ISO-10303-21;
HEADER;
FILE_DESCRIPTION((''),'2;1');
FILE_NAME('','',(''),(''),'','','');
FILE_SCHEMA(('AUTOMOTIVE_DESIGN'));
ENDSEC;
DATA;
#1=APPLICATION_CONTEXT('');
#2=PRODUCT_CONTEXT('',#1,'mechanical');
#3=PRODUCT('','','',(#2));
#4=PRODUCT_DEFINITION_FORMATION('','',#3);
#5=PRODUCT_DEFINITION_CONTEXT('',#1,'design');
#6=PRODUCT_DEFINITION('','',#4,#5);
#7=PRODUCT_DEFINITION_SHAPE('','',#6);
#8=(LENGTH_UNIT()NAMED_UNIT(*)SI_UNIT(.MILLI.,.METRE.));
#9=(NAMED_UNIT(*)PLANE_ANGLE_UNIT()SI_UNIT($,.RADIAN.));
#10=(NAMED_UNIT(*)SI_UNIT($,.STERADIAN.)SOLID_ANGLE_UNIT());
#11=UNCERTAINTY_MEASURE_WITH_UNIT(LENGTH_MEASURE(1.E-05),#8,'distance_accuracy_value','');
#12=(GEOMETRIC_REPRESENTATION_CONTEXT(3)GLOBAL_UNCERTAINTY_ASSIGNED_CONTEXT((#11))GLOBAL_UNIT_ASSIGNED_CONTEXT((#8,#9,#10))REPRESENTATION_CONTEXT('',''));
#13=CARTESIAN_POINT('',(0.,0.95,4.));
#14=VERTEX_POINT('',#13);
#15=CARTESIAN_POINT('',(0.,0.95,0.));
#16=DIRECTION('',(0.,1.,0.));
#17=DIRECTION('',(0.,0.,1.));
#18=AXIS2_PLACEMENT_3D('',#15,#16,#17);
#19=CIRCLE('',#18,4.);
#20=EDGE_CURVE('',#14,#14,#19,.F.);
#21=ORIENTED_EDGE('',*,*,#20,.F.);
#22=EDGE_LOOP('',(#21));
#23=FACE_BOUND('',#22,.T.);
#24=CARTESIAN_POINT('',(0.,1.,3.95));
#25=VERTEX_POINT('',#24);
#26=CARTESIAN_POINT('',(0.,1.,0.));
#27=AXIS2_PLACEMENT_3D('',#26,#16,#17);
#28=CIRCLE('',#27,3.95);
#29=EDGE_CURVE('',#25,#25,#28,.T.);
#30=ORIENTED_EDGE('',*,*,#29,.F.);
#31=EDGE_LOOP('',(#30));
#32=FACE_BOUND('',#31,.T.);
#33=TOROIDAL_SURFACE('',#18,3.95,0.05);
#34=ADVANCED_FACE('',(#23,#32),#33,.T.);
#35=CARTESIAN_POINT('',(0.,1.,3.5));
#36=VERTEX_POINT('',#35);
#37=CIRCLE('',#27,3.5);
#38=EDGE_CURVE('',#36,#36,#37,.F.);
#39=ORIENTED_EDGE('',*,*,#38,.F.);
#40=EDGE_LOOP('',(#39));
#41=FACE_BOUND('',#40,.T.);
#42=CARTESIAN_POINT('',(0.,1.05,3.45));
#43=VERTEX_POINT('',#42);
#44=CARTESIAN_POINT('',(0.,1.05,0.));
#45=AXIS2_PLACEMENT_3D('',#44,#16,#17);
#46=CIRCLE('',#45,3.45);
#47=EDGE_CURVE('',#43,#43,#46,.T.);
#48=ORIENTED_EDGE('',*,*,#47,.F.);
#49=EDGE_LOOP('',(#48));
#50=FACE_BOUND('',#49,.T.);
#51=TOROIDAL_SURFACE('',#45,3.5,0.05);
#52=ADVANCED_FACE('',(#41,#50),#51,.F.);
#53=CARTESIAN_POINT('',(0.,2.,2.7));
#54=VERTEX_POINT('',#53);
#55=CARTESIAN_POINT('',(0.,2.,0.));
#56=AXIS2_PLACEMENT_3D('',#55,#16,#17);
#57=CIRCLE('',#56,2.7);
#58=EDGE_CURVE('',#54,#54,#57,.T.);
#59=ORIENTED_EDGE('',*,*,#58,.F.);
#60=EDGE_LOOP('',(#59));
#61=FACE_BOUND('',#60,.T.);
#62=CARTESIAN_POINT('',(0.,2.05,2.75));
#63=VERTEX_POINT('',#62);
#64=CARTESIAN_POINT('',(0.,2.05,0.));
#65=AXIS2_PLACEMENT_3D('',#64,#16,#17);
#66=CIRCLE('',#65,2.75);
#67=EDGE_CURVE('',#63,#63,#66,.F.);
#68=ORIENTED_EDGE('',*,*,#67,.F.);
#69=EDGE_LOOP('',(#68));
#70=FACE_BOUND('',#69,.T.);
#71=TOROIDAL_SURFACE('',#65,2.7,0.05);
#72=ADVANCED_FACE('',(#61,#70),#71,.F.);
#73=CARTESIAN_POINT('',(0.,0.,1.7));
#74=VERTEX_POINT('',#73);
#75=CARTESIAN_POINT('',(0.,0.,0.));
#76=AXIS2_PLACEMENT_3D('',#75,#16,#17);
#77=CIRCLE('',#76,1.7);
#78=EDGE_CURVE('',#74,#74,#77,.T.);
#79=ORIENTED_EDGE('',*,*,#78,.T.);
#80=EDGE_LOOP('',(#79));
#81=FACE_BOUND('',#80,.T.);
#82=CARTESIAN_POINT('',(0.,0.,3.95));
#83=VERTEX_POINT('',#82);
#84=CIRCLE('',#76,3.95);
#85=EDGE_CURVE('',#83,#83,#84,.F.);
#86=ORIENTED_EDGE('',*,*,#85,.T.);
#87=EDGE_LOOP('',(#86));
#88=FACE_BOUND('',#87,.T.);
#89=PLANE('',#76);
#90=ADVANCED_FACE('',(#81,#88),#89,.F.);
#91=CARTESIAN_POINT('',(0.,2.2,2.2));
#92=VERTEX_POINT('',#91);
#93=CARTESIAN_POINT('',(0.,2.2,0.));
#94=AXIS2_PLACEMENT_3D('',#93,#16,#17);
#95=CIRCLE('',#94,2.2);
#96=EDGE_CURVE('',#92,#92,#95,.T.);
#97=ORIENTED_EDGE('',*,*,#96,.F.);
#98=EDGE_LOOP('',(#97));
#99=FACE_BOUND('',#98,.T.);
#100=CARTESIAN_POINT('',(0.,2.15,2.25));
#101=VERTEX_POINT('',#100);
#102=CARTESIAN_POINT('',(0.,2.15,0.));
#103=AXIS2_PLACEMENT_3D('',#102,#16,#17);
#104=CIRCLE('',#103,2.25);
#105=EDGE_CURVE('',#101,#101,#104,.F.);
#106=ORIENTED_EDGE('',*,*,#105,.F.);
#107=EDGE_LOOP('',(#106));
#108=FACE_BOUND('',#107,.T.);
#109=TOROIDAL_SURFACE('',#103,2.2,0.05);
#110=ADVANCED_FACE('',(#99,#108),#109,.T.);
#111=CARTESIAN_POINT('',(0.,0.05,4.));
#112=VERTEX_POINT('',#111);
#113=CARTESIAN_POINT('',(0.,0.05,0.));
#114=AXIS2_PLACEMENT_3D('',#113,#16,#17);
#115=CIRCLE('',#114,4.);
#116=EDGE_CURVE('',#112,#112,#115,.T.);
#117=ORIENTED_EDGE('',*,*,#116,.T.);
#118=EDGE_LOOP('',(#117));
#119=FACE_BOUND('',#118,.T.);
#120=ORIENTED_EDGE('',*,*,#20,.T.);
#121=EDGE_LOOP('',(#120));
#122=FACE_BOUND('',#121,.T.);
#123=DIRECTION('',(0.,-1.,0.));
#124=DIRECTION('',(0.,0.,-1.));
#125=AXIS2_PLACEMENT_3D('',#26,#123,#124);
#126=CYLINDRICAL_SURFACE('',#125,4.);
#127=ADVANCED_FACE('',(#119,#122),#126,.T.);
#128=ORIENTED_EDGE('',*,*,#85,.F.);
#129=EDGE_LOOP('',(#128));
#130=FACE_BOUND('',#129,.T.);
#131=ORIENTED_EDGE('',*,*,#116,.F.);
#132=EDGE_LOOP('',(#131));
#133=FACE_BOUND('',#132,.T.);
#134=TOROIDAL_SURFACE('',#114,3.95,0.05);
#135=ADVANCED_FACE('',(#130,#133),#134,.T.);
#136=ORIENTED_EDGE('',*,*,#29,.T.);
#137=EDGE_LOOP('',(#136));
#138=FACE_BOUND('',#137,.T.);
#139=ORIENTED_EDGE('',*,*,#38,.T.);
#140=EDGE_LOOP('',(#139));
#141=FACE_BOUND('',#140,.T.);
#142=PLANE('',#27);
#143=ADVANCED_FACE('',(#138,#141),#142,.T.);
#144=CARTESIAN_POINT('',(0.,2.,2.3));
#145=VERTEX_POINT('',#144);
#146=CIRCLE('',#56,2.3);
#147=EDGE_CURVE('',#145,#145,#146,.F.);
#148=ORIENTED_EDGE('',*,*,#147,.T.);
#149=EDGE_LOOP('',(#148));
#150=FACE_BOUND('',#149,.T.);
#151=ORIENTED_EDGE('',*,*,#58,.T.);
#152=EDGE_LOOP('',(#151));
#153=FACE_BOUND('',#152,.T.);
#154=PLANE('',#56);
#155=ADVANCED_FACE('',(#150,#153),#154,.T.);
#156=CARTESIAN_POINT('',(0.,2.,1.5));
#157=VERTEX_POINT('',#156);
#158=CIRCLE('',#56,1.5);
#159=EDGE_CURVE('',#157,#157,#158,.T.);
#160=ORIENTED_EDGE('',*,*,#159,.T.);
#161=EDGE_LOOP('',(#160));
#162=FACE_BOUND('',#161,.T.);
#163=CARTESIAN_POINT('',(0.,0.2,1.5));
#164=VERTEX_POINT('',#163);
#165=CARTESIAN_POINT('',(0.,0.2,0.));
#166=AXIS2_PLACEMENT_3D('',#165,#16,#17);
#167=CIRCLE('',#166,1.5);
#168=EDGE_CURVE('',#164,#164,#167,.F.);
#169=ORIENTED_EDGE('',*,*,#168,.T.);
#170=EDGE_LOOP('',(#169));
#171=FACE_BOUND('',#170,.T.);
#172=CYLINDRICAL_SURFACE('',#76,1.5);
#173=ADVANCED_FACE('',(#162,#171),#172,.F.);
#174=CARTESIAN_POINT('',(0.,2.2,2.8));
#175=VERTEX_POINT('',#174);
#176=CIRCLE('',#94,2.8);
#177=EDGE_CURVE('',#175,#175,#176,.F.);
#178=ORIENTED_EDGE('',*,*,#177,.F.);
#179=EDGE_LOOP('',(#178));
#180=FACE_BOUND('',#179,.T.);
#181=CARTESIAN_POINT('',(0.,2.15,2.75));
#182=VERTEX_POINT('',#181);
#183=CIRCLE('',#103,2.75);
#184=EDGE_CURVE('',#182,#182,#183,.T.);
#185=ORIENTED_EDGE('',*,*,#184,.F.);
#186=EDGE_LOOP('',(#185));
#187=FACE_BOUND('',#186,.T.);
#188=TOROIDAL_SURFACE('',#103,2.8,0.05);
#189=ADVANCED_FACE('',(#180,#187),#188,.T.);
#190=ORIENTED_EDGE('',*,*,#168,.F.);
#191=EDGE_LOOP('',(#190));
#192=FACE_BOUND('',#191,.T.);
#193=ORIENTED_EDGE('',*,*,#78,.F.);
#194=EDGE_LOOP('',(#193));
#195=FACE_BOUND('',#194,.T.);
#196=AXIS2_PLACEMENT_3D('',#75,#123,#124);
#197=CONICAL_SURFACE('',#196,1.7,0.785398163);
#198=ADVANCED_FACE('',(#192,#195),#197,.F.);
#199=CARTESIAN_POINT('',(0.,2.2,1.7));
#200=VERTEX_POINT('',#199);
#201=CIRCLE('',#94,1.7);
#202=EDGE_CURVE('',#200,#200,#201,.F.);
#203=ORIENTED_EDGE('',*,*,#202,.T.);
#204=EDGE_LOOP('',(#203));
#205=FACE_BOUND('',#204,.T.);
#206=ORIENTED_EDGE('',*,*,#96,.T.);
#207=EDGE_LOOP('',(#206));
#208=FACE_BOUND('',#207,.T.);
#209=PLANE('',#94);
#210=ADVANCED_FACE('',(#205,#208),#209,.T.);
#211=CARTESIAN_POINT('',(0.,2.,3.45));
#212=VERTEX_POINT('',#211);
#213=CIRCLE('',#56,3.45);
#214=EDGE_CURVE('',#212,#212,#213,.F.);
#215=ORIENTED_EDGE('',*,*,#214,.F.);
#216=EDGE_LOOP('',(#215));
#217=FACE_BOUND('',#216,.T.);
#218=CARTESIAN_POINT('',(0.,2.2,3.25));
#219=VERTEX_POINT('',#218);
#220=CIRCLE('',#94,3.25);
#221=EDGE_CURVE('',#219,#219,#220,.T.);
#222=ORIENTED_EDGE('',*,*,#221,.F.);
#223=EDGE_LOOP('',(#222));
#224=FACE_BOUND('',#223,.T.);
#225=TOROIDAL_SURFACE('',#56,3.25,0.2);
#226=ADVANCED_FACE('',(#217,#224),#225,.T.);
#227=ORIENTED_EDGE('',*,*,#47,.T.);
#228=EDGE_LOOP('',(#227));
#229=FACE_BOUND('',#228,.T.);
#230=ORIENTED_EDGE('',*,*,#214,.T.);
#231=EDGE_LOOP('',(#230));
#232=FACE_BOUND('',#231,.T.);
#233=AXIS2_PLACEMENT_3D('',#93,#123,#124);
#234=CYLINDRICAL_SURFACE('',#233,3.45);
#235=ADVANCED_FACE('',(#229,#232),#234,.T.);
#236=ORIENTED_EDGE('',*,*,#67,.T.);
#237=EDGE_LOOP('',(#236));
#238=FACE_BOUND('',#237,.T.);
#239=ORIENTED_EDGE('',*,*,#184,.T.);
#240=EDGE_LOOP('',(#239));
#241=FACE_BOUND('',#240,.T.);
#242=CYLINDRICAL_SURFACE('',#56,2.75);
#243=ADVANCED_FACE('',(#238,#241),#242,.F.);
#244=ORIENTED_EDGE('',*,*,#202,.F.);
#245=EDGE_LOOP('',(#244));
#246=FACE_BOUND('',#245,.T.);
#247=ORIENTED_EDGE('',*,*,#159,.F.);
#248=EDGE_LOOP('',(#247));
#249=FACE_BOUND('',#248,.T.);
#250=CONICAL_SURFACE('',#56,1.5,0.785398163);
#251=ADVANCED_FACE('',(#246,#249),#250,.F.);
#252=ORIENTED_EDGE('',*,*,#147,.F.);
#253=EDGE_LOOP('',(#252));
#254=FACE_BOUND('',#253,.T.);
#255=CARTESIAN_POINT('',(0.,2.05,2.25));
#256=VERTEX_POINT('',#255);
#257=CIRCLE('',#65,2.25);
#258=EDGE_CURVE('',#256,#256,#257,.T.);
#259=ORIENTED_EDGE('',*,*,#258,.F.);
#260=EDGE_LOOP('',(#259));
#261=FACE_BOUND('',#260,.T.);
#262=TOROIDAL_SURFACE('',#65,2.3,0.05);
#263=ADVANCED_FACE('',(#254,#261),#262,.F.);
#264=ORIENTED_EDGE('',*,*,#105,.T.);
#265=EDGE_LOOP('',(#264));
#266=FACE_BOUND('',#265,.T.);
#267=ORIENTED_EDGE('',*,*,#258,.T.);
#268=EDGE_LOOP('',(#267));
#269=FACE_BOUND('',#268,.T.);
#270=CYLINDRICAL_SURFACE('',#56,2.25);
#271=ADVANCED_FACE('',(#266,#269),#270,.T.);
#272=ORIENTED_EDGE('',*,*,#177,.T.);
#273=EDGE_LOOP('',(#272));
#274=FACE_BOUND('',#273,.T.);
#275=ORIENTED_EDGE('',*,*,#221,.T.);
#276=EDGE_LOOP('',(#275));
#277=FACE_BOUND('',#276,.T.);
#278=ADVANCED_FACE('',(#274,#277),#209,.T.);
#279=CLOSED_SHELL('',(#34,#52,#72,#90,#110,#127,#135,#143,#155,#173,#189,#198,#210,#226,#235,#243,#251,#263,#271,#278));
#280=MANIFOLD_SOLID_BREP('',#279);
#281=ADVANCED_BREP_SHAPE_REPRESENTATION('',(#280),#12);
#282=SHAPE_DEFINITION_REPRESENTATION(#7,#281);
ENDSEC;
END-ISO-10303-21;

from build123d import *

# Parameters (mm, degrees)
SKETCH1_R           = 4
BOSS_EXTRUDE1_DEPTH = 1
SKETCH3_R           = 3.45
BOSS_EXTRUDE2_DEPTH = 1.2
FILLET1_R           = 0.2
SKETCH4_R           = 1.5
CUT_EXTRUDE1_DEPTH  = 7.069596362
CHAMFER1_SIZE       = 0.2
SKETCH5_R           = 2.75
SKETCH5_R_2         = 2.25
CUT_EXTRUDE2_DEPTH  = 0.2
FILLET2_R           = 0.05
FILLET3_R           = 0.05


with BuildPart() as part:
    # Sketch1 → Boss-Extrude1 (new body)
    with BuildSketch(Plane(origin=(0, 0, 0), x_dir=(1, 0, 0), z_dir=(0, 1, 0))):
        with Locations(Location((0, 0, 0), (0, 0, 270))):
            Circle(SKETCH1_R)
    extrude(amount=BOSS_EXTRUDE1_DEPTH)

    # Sketch3 → Boss-Extrude2 (add)
    with BuildSketch(Plane(origin=(0, 1, 0), x_dir=(1, 0, 0), z_dir=(0, 1, 0))):
        with Locations(Location((0, 0, 0), (0, 0, 270))):
            Circle(SKETCH3_R)
    extrude(amount=BOSS_EXTRUDE2_DEPTH)

    # Fillet1
    fillet1_edges = [part.edges().sort_by_distance(p)[0] for p in [
        (0, 2.2, -3.45),
    ]]
    fillet(fillet1_edges, radius=FILLET1_R)

    # Sketch4 → Cut-Extrude1 (cut, through all)
    with BuildSketch(Plane(origin=(0, 2.2, 0), x_dir=(1, 0, 0), z_dir=(0, 1, 0))):
        with Locations(Location((0, 0, 0), (0, 0, 270))):
            Circle(SKETCH4_R)
    extrude(amount=-CUT_EXTRUDE1_DEPTH, mode=Mode.SUBTRACT)

    # Chamfer1
    chamfer1_edges = [part.edges().sort_by_distance(p)[0] for p in [
        (0, 0, -1.5),
        (0, 2.2, -1.5),
    ]]
    chamfer(chamfer1_edges, length=CHAMFER1_SIZE)

    # Sketch5 → Cut-Extrude2 (cut)
    with BuildSketch(Plane(origin=(0, 2.2, 0), x_dir=(1, 0, 0), z_dir=(0, 1, 0))):
        with Locations(Location((0, 0, 0), (0, 0, 270))):
            Circle(SKETCH5_R)
        with Locations(Location((0, 0, 0), (0, 0, 270))):
            Circle(SKETCH5_R_2, mode=Mode.SUBTRACT)
    extrude(amount=-CUT_EXTRUDE2_DEPTH, mode=Mode.SUBTRACT)

    # Fillet2
    fillet2_edges = [part.edges().sort_by_distance(p)[0] for p in [
        (0, 2, -2.75),
        (0, 2, -2.25),
        (0, 2.2, -2.75),
        (0, 2.2, -2.25),
    ]]
    fillet(fillet2_edges, radius=FILLET2_R)

    # Fillet3
    fillet3_edges = [part.edges().sort_by_distance(p)[0] for p in [
        (0, 0, -4),
        (0, 1, -4),
        (0, 1, -3.45),
    ]]
    fillet(fillet3_edges, radius=FILLET3_R)


solid = part.part
